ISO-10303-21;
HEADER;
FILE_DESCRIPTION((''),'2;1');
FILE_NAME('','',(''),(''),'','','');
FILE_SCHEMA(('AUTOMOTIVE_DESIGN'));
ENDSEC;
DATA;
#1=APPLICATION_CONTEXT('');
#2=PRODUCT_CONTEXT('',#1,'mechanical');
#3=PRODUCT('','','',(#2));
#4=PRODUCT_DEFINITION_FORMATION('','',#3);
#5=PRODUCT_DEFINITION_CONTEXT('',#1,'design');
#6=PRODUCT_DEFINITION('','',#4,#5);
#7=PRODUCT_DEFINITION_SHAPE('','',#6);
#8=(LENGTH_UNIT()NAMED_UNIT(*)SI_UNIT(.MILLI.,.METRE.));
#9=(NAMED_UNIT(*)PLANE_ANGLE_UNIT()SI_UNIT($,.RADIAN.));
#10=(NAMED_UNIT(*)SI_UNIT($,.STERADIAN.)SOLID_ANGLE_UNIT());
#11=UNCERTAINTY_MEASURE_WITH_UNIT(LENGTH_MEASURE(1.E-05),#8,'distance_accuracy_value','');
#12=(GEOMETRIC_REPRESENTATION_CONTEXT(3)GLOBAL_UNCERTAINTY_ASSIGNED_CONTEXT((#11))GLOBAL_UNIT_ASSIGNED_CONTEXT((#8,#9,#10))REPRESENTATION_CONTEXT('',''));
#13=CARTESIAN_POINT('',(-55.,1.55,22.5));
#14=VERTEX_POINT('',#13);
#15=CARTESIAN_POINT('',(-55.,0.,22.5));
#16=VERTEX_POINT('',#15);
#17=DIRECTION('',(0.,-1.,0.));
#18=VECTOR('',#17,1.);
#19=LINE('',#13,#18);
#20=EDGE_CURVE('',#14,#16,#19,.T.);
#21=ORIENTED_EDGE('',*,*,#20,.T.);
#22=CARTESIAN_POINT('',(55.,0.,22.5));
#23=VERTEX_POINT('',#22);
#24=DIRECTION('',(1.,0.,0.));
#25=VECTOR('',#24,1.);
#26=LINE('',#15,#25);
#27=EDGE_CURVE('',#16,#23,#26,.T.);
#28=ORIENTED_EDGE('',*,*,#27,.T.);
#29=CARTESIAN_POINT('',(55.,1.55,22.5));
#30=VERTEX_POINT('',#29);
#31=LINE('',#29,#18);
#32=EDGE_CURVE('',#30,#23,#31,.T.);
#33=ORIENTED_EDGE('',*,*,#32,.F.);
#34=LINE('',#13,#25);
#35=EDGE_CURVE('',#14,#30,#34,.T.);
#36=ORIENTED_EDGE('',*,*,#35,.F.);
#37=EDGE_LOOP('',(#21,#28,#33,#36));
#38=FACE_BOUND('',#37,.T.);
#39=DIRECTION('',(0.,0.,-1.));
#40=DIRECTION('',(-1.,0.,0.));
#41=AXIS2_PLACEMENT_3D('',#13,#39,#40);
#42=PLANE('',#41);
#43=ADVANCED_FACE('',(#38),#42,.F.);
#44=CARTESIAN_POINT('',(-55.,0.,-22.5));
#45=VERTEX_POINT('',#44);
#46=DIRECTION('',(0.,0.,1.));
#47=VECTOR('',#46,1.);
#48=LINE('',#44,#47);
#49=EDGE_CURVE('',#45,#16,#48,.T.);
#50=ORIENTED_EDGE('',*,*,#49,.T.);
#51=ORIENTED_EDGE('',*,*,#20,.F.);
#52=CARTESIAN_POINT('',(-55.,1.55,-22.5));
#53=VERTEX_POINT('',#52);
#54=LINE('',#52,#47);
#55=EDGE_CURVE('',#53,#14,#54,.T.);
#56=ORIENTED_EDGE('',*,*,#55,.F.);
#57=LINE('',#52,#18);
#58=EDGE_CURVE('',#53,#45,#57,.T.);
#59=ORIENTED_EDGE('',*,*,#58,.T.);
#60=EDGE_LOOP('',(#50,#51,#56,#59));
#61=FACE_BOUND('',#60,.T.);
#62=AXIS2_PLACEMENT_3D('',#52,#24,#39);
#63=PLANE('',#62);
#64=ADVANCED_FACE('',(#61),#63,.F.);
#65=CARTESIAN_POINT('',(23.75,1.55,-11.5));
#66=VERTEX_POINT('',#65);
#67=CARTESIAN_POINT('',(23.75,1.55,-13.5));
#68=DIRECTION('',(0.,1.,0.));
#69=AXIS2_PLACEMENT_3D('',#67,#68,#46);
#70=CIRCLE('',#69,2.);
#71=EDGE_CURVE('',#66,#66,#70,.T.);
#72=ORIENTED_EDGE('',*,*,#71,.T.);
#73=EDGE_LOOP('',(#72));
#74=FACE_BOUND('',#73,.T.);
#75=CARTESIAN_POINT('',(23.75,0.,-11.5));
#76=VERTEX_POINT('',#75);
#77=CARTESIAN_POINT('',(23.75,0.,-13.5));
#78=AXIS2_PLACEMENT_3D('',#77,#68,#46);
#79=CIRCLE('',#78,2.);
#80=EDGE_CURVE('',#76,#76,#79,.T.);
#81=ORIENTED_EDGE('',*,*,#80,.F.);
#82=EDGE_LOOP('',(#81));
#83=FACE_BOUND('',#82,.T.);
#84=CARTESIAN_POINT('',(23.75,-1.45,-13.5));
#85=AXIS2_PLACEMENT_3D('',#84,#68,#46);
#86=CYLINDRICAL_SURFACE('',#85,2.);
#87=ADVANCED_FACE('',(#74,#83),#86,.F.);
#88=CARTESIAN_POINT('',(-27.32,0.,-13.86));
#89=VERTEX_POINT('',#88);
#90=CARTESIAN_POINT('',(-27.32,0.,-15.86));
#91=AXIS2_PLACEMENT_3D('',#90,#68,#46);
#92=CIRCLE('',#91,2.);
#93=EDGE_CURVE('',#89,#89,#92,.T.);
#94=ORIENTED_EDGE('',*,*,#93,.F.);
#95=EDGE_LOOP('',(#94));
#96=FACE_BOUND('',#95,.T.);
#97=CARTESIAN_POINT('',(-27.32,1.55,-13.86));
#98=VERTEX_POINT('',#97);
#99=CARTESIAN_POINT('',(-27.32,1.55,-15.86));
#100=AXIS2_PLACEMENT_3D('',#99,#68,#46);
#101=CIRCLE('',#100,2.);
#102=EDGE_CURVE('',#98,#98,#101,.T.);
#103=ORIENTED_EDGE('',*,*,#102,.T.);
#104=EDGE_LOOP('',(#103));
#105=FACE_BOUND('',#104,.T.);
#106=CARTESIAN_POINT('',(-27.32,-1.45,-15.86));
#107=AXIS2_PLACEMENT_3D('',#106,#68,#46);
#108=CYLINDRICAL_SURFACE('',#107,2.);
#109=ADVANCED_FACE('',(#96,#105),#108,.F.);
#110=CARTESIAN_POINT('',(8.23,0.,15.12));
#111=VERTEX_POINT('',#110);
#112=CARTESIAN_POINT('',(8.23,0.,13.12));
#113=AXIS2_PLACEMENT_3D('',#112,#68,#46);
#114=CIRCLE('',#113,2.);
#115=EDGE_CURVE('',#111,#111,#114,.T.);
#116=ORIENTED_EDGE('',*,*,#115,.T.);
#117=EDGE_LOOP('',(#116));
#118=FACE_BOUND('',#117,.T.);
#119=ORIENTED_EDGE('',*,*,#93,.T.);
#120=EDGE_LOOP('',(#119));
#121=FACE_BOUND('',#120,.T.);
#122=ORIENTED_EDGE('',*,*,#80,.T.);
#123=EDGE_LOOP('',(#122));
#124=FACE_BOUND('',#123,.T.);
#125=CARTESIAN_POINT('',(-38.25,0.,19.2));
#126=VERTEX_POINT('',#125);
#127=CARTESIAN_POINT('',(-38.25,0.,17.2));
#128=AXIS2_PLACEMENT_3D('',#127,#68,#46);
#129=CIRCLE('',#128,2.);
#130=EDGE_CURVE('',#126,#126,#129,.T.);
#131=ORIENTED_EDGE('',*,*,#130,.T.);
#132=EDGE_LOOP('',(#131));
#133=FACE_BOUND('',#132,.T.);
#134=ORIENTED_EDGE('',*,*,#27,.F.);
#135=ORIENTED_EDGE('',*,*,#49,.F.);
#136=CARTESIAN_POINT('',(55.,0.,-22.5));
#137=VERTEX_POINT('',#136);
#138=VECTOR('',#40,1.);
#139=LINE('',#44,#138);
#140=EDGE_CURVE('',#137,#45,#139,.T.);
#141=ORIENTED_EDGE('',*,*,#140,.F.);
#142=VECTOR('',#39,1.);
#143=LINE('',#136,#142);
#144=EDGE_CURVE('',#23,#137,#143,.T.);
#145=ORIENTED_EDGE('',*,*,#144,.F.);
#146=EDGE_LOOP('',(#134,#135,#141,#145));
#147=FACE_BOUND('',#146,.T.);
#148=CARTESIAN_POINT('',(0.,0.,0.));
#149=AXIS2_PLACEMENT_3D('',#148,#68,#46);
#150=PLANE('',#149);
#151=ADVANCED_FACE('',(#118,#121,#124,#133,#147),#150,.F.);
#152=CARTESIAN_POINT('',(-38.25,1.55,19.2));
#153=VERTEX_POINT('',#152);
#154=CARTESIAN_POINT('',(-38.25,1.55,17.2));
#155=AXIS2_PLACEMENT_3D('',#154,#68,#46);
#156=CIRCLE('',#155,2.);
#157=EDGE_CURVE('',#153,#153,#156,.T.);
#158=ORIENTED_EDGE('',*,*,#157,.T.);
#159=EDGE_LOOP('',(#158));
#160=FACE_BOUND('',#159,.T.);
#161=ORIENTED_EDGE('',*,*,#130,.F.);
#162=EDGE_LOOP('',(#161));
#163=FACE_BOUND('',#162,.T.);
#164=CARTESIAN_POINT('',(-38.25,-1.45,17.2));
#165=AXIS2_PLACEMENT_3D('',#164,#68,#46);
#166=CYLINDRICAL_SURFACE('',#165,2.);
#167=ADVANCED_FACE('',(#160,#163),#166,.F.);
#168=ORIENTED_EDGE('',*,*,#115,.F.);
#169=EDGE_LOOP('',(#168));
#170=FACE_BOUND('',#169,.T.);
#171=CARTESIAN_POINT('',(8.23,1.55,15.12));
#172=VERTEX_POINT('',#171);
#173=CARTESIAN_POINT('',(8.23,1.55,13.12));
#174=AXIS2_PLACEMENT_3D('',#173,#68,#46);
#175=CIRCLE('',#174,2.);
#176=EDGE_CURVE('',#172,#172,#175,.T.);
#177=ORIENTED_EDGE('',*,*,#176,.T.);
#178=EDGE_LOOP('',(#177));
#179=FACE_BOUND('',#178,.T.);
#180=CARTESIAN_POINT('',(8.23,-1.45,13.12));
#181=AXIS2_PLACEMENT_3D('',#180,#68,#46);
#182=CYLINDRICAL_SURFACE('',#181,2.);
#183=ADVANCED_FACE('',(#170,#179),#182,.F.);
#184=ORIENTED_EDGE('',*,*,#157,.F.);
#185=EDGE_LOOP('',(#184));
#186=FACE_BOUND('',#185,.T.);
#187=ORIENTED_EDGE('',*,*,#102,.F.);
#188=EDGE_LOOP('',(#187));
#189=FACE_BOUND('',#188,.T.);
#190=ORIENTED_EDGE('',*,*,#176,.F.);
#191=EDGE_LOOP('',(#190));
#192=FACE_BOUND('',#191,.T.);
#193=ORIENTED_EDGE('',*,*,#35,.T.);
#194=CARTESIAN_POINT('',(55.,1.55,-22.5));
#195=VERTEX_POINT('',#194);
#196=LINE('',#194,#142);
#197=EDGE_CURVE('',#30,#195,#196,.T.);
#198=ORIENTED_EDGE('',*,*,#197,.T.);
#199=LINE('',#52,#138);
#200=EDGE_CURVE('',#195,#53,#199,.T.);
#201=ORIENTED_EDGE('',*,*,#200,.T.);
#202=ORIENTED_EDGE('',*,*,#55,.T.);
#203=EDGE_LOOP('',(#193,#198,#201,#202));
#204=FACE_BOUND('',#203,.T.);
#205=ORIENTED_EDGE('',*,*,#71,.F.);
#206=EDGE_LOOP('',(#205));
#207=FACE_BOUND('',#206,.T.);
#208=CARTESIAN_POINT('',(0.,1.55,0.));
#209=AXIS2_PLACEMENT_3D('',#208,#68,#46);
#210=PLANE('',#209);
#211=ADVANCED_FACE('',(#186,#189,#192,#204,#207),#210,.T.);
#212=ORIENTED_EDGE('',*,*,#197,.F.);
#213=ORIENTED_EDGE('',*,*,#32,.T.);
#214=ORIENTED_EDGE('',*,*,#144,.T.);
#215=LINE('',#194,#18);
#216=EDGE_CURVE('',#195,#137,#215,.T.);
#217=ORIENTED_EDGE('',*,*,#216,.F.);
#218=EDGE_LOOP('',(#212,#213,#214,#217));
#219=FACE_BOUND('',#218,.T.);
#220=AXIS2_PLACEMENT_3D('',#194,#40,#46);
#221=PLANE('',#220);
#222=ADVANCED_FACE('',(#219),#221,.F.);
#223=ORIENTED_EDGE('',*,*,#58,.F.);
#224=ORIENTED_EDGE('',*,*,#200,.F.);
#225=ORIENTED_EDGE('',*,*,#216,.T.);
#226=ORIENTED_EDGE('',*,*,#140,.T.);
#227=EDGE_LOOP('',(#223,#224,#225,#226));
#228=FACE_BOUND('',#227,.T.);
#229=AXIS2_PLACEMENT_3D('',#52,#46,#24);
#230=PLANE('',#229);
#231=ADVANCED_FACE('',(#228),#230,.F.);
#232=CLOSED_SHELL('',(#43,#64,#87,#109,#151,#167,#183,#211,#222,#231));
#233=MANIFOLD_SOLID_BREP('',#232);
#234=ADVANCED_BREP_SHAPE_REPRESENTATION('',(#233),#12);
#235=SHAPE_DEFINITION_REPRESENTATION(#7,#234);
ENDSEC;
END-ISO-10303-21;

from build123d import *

# Parameters (mm, degrees)
ESQUISSE1_W             = 110
ESQUISSE1_H             = 45
BOSS_EXTRU_1_DEPTH      = 1.55
ESQUISSE2_R             = 2
ENL_V_MAT_EXTRU_1_DEPTH = 3


with BuildPart() as part:
    # Esquisse1 → Boss.-Extru.1 (new body)
    with BuildSketch(Plane(origin=(0, 0, 0), x_dir=(1, 0, 0), z_dir=(0, 1, 0))):
        Rectangle(ESQUISSE1_W, ESQUISSE1_H)
    extrude(amount=BOSS_EXTRU_1_DEPTH)

    # Esquisse2 → Enlèv. mat.-Extru.1 (cut)
    with BuildSketch(Plane(origin=(0, 1.55, 0), x_dir=(1, 0, 0), z_dir=(0, 1, 0))):
        with Locations(Location((-38.25, -17.2, 0), (0, 0, 270))):
            Circle(ESQUISSE2_R)
        with Locations(Location((-27.32, 15.86, 0), (0, 0, 270))):
            Circle(ESQUISSE2_R)
        with Locations(Location((23.75, 13.5, 0), (0, 0, 270))):
            Circle(ESQUISSE2_R)
        with Locations(Location((8.23, -13.12, 0), (0, 0, 270))):
            Circle(ESQUISSE2_R)
    extrude(amount=-ENL_V_MAT_EXTRU_1_DEPTH, mode=Mode.SUBTRACT)


solid = part.part
